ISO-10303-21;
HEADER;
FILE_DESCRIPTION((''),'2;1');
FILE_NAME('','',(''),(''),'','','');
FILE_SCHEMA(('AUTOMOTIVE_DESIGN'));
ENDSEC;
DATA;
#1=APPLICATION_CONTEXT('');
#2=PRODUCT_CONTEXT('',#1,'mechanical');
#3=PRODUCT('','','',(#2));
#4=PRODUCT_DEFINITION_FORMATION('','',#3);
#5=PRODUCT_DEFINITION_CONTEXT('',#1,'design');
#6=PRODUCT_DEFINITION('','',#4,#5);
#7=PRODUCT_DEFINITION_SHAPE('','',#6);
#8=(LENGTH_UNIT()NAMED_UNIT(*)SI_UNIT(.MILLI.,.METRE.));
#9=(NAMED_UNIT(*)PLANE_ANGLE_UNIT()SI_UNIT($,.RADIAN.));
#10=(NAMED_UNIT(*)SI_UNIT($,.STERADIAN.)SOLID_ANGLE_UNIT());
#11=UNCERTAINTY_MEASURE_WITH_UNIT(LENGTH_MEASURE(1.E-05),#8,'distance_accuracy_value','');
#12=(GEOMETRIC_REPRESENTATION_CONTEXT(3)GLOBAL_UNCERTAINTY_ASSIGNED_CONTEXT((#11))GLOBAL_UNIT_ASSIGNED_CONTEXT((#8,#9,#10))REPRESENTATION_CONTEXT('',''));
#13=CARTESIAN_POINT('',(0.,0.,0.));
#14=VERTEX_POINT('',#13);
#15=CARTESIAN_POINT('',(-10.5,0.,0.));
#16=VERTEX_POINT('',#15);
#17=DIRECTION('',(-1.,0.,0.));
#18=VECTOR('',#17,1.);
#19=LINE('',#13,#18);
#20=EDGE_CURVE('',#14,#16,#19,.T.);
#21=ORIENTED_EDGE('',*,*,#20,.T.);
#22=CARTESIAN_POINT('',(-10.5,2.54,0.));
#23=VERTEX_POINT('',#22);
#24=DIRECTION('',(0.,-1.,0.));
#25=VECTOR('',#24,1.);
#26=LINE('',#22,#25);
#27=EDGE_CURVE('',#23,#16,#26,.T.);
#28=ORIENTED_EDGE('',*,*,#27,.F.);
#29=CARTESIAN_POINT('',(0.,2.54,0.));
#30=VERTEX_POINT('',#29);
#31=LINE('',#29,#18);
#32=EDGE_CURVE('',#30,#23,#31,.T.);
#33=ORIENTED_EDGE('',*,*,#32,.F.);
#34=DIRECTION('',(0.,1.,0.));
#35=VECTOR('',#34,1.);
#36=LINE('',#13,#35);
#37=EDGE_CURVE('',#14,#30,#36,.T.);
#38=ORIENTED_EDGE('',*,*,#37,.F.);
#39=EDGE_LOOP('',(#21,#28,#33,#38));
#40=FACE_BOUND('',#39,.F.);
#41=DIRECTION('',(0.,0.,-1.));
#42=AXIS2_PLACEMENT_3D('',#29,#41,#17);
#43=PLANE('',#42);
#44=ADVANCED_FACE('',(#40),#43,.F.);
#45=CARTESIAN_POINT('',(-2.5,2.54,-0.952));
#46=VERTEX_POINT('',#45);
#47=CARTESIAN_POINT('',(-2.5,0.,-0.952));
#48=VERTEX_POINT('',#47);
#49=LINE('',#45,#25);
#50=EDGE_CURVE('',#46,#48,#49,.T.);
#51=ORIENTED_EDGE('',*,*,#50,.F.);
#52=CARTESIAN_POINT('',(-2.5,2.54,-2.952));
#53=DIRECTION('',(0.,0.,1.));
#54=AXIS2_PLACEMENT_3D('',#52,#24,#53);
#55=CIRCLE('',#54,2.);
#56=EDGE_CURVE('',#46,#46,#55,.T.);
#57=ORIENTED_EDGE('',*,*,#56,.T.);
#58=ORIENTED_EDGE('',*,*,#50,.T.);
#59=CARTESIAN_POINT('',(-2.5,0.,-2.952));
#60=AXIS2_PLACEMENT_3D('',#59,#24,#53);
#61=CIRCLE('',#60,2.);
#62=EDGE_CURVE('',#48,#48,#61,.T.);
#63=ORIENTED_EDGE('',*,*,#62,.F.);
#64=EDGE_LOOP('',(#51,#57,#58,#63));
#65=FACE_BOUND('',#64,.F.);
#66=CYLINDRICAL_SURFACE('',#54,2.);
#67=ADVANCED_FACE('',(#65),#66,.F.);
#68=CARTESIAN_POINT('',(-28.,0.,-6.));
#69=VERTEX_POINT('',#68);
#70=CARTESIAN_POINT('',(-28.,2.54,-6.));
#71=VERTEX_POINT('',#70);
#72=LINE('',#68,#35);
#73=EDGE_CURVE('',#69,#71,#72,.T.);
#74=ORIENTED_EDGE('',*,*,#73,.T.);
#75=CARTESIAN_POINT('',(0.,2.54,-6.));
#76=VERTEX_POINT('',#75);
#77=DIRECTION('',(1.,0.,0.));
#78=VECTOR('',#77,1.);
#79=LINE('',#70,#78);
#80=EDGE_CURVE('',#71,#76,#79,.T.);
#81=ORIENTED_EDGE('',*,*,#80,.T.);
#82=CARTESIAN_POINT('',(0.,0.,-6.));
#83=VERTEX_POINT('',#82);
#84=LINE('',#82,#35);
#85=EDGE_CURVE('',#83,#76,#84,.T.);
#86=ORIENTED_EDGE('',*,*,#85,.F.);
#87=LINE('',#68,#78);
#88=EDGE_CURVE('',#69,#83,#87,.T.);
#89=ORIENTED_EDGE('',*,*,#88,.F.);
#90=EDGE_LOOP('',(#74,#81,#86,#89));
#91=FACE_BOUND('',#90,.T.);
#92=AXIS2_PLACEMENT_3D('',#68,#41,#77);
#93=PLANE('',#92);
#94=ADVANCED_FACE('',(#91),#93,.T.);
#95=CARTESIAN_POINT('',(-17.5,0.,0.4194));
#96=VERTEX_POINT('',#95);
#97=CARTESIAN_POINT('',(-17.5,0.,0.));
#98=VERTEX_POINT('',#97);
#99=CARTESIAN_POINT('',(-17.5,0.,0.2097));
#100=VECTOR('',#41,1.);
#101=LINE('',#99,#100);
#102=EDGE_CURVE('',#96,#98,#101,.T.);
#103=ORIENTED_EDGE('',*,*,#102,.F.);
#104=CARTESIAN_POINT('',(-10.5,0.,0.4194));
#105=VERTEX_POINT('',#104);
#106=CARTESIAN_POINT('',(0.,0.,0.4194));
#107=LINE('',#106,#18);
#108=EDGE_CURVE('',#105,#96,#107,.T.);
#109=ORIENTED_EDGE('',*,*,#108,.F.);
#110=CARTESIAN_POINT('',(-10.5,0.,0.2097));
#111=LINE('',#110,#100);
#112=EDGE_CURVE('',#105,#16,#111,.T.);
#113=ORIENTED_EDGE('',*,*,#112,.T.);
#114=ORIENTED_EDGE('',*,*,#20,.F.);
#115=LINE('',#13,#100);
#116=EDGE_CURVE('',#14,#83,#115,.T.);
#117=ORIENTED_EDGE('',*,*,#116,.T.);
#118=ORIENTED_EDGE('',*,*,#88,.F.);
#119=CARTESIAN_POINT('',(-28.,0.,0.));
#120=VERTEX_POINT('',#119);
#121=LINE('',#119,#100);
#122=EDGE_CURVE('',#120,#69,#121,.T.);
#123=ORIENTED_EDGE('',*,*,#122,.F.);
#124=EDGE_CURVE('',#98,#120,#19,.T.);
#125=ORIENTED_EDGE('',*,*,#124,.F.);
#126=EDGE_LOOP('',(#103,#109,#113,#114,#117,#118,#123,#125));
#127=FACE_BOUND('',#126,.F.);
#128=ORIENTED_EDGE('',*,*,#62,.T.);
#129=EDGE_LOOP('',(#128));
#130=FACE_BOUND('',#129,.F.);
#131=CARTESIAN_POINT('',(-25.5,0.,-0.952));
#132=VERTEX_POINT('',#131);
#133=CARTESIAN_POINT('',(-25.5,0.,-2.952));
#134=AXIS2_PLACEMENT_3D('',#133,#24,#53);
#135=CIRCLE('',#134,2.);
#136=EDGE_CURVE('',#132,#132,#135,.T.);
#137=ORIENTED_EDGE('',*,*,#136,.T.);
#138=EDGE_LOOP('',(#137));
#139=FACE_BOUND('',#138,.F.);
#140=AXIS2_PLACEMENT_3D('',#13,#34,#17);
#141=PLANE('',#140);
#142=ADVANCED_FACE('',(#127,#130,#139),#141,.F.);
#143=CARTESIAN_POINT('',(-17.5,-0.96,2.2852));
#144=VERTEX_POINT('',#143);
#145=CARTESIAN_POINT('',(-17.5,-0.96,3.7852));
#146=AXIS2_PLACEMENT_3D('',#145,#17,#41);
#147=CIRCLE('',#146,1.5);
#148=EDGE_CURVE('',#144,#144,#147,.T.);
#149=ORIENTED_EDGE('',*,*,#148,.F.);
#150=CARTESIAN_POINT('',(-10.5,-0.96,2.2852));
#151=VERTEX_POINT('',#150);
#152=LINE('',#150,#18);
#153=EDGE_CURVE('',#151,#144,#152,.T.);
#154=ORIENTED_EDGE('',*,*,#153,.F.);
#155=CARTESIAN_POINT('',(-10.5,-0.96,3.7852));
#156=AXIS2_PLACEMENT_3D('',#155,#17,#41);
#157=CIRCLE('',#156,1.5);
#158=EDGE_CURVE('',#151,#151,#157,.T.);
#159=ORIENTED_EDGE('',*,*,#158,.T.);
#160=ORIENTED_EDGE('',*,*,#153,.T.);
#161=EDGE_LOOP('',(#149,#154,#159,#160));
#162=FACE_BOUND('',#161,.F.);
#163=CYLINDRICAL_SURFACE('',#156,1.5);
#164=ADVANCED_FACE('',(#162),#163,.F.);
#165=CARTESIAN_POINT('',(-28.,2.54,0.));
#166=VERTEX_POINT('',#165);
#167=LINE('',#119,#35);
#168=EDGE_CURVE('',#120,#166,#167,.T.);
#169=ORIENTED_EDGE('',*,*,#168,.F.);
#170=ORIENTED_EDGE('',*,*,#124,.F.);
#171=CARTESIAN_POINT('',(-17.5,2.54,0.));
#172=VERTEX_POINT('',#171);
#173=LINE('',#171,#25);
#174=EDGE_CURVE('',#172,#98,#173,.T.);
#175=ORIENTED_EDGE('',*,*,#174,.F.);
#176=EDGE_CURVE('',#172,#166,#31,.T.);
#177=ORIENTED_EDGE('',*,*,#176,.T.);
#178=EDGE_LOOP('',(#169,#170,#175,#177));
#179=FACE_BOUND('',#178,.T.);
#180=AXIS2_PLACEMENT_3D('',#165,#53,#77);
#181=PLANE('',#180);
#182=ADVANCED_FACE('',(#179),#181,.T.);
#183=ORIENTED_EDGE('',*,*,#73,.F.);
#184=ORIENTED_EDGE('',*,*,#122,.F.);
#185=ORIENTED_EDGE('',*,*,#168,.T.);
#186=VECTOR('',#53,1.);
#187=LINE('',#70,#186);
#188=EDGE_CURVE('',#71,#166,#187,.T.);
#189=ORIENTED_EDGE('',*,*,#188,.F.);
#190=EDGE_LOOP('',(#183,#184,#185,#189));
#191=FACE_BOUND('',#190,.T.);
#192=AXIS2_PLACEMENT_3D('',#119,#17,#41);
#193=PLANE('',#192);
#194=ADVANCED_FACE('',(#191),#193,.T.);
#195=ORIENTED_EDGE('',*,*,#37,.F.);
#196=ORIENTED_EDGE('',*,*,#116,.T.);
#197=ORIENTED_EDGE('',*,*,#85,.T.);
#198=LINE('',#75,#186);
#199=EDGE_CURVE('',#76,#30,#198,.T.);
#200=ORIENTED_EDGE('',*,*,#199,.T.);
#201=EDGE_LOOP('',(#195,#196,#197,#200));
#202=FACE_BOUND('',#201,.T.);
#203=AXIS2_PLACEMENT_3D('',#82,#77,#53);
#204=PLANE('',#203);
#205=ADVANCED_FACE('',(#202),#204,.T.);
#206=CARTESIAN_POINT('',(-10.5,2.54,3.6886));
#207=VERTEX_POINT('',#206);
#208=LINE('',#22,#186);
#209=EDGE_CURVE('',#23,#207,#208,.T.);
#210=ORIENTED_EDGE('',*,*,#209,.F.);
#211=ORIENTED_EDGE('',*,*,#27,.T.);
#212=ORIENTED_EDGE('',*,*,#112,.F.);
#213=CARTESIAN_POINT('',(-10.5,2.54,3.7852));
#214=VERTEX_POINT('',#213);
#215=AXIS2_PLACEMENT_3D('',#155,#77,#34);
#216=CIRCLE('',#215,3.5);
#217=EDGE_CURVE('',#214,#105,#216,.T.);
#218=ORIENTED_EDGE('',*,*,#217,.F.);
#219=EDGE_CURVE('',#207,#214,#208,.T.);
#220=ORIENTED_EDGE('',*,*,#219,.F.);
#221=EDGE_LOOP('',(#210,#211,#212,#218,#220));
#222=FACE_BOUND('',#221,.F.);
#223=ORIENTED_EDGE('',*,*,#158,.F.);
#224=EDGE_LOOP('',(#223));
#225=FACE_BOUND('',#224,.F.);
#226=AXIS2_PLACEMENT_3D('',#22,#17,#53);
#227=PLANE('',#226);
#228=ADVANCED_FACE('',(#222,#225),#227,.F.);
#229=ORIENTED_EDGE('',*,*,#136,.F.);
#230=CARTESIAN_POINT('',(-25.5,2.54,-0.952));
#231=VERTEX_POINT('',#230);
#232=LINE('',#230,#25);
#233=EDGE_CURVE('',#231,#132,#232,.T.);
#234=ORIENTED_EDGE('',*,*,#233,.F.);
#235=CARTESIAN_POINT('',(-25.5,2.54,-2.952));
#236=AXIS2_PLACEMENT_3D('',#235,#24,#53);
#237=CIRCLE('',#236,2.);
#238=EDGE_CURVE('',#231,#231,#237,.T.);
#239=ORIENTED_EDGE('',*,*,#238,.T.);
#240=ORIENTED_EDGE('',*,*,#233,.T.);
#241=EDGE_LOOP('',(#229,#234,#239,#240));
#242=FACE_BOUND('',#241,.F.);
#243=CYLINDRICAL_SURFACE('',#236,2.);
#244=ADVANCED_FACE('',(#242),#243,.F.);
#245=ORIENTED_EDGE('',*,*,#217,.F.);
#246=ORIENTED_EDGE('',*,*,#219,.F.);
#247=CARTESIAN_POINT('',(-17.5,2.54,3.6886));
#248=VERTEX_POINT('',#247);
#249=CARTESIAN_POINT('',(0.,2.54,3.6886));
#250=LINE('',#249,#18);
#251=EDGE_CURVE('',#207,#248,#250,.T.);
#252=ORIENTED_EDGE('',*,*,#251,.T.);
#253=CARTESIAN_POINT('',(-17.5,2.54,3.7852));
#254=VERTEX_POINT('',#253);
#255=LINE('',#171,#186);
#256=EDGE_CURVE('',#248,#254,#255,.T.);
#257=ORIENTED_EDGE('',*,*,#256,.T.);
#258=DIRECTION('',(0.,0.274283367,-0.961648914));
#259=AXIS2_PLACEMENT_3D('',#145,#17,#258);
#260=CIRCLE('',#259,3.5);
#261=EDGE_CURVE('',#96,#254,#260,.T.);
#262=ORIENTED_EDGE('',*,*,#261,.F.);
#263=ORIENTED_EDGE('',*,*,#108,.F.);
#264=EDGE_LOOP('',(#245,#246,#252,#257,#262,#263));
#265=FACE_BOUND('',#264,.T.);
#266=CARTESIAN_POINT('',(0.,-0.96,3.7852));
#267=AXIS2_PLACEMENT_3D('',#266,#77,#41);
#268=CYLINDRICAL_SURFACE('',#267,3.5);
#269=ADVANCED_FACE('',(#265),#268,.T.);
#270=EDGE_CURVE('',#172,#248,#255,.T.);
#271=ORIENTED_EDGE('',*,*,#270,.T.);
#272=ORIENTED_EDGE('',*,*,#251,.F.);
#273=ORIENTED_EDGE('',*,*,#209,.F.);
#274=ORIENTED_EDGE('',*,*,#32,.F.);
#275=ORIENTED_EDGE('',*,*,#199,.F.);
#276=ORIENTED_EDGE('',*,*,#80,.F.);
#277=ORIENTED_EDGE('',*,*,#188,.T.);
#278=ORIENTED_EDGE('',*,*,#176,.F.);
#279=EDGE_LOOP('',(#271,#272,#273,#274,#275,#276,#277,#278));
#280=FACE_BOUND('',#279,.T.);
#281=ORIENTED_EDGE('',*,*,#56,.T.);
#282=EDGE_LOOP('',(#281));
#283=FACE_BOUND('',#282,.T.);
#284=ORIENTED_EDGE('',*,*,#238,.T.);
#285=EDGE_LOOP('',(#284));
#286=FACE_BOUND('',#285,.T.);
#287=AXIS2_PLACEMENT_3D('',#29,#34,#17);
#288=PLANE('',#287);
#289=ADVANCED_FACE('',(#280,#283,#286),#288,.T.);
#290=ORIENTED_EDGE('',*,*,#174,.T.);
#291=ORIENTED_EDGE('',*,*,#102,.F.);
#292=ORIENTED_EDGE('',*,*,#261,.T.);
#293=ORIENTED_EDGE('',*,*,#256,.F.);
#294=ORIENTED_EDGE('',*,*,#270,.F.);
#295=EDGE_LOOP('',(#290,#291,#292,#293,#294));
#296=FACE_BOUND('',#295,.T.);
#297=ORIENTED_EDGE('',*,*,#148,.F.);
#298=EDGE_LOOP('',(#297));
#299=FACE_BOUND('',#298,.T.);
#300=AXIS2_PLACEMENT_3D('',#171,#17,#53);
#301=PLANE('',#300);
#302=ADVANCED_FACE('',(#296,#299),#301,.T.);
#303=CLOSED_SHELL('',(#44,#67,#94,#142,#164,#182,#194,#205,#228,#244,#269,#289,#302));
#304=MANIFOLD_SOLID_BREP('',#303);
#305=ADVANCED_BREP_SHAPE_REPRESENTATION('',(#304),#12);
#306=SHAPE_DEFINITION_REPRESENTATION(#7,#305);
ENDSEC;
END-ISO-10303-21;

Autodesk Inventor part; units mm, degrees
ref_plane "YZ Plane" through (0, 0, 0) normal (1, 0, 0) x (0, 1, 0)
ref_plane "XZ Plane" through (0, 0, 0) normal (0, 1, 0) x (-1, 0, 0)
ref_plane "XY Plane" through (0, 0, 0) normal (0, 0, 1) x (1, 0, 0)
sketch "Sketch1" plane through (0, 0, 0) normal (0, 1, 0) x (-1, 0, 0)
  line L0 (0, 0) -> (28, 0)
  line L1 (28, 0) -> (28, -6)
  line L2 (28, -6) -> (0, -6)
  line L3 (0, -6) -> (0, 0)
  dimension "d0" = 28
  dimension "d1" = 6
extrude "Extrusion1" add sketch "Sketch1" along normal blind 2.54
hole "Hole1" at (-25.5, 2.54, -2.952) direction (0, -1, 0) diameter 4 end through all
hole "Hole2" at (-2.5, 2.54, -2.952) direction (0, -1, 0) diameter 4 end through all
sketch "Sketch2" plane through (0, 0, 0) normal (1, 0, 0) x (0, 0, -1)
  circle A0 centre (-3.7852, -0.96) radius 3.5
  line L0 (-3.7852, 2.54) -> (0.6598, 2.54)
  line L1 (0, 2.54) -> (6, 2.54) projected
  line L2 (6, 0) -> (0, 0) projected
  line L3 (-0.4194, 0) -> (0, 0)
  line L4 (0, 0) -> (-0.4194, 0)
  line L5 (0.2994, 0) -> (-3.7852, 0)
  line L6 (-3.7852, 0) -> (-3.7852, 2.54)
  line L7 (-3.7852, 2.54) -> (0.2994, 2.54)
  line L8 (0.2994, 2.54) -> (0.2994, 0)
  line L9 (0.2994, 2.54) -> (-3.6886, 2.54)
  line L10 (-3.6886, 2.54) -> (-3.6886, 0)
  line L11 (-3.6886, 0) -> (0.2994, 0)
  line L12 (0.2994, 0) -> (0.2994, 2.54)
  dimension "d22" = 7
  dimension "d41" = 4.445
extrude "Extrusion2" add sketch "Sketch2" against normal blind 28
sketch "Sketch3" plane through (0, 2.54, 0) normal (0, 1, 0) x (1, 0, 0)
  line L0 (-28, 0) -> (-17.5, 0)
  line L1 (-17.5, 0) -> (-17.5, -12.7)
  line L2 (-17.5, -12.7) -> (-28, -12.7)
  line L3 (-28, -12.7) -> (-28, 0)
  line L4 (0, 0) -> (0, 6) projected
  line L5 (0, 0) -> (-10.5, 0)
  line L6 (-10.5, 0) -> (-10.5, -9.3969)
  line L7 (-10.5, -9.3969) -> (0, -9.3969)
  line L8 (0, -9.3969) -> (0, 0)
  dimension "d28" = 7
  dimension "d29" = 10.5
  dimension "d42" = 12.7
extrude "Extrusion3" cut sketch "Sketch3" against normal blind 28
hole "Hole3" at (-10.5, -0.96, 3.7852) direction (-1, 0, 0) diameter 3 end through all
properties part number "camera holderpt2"
